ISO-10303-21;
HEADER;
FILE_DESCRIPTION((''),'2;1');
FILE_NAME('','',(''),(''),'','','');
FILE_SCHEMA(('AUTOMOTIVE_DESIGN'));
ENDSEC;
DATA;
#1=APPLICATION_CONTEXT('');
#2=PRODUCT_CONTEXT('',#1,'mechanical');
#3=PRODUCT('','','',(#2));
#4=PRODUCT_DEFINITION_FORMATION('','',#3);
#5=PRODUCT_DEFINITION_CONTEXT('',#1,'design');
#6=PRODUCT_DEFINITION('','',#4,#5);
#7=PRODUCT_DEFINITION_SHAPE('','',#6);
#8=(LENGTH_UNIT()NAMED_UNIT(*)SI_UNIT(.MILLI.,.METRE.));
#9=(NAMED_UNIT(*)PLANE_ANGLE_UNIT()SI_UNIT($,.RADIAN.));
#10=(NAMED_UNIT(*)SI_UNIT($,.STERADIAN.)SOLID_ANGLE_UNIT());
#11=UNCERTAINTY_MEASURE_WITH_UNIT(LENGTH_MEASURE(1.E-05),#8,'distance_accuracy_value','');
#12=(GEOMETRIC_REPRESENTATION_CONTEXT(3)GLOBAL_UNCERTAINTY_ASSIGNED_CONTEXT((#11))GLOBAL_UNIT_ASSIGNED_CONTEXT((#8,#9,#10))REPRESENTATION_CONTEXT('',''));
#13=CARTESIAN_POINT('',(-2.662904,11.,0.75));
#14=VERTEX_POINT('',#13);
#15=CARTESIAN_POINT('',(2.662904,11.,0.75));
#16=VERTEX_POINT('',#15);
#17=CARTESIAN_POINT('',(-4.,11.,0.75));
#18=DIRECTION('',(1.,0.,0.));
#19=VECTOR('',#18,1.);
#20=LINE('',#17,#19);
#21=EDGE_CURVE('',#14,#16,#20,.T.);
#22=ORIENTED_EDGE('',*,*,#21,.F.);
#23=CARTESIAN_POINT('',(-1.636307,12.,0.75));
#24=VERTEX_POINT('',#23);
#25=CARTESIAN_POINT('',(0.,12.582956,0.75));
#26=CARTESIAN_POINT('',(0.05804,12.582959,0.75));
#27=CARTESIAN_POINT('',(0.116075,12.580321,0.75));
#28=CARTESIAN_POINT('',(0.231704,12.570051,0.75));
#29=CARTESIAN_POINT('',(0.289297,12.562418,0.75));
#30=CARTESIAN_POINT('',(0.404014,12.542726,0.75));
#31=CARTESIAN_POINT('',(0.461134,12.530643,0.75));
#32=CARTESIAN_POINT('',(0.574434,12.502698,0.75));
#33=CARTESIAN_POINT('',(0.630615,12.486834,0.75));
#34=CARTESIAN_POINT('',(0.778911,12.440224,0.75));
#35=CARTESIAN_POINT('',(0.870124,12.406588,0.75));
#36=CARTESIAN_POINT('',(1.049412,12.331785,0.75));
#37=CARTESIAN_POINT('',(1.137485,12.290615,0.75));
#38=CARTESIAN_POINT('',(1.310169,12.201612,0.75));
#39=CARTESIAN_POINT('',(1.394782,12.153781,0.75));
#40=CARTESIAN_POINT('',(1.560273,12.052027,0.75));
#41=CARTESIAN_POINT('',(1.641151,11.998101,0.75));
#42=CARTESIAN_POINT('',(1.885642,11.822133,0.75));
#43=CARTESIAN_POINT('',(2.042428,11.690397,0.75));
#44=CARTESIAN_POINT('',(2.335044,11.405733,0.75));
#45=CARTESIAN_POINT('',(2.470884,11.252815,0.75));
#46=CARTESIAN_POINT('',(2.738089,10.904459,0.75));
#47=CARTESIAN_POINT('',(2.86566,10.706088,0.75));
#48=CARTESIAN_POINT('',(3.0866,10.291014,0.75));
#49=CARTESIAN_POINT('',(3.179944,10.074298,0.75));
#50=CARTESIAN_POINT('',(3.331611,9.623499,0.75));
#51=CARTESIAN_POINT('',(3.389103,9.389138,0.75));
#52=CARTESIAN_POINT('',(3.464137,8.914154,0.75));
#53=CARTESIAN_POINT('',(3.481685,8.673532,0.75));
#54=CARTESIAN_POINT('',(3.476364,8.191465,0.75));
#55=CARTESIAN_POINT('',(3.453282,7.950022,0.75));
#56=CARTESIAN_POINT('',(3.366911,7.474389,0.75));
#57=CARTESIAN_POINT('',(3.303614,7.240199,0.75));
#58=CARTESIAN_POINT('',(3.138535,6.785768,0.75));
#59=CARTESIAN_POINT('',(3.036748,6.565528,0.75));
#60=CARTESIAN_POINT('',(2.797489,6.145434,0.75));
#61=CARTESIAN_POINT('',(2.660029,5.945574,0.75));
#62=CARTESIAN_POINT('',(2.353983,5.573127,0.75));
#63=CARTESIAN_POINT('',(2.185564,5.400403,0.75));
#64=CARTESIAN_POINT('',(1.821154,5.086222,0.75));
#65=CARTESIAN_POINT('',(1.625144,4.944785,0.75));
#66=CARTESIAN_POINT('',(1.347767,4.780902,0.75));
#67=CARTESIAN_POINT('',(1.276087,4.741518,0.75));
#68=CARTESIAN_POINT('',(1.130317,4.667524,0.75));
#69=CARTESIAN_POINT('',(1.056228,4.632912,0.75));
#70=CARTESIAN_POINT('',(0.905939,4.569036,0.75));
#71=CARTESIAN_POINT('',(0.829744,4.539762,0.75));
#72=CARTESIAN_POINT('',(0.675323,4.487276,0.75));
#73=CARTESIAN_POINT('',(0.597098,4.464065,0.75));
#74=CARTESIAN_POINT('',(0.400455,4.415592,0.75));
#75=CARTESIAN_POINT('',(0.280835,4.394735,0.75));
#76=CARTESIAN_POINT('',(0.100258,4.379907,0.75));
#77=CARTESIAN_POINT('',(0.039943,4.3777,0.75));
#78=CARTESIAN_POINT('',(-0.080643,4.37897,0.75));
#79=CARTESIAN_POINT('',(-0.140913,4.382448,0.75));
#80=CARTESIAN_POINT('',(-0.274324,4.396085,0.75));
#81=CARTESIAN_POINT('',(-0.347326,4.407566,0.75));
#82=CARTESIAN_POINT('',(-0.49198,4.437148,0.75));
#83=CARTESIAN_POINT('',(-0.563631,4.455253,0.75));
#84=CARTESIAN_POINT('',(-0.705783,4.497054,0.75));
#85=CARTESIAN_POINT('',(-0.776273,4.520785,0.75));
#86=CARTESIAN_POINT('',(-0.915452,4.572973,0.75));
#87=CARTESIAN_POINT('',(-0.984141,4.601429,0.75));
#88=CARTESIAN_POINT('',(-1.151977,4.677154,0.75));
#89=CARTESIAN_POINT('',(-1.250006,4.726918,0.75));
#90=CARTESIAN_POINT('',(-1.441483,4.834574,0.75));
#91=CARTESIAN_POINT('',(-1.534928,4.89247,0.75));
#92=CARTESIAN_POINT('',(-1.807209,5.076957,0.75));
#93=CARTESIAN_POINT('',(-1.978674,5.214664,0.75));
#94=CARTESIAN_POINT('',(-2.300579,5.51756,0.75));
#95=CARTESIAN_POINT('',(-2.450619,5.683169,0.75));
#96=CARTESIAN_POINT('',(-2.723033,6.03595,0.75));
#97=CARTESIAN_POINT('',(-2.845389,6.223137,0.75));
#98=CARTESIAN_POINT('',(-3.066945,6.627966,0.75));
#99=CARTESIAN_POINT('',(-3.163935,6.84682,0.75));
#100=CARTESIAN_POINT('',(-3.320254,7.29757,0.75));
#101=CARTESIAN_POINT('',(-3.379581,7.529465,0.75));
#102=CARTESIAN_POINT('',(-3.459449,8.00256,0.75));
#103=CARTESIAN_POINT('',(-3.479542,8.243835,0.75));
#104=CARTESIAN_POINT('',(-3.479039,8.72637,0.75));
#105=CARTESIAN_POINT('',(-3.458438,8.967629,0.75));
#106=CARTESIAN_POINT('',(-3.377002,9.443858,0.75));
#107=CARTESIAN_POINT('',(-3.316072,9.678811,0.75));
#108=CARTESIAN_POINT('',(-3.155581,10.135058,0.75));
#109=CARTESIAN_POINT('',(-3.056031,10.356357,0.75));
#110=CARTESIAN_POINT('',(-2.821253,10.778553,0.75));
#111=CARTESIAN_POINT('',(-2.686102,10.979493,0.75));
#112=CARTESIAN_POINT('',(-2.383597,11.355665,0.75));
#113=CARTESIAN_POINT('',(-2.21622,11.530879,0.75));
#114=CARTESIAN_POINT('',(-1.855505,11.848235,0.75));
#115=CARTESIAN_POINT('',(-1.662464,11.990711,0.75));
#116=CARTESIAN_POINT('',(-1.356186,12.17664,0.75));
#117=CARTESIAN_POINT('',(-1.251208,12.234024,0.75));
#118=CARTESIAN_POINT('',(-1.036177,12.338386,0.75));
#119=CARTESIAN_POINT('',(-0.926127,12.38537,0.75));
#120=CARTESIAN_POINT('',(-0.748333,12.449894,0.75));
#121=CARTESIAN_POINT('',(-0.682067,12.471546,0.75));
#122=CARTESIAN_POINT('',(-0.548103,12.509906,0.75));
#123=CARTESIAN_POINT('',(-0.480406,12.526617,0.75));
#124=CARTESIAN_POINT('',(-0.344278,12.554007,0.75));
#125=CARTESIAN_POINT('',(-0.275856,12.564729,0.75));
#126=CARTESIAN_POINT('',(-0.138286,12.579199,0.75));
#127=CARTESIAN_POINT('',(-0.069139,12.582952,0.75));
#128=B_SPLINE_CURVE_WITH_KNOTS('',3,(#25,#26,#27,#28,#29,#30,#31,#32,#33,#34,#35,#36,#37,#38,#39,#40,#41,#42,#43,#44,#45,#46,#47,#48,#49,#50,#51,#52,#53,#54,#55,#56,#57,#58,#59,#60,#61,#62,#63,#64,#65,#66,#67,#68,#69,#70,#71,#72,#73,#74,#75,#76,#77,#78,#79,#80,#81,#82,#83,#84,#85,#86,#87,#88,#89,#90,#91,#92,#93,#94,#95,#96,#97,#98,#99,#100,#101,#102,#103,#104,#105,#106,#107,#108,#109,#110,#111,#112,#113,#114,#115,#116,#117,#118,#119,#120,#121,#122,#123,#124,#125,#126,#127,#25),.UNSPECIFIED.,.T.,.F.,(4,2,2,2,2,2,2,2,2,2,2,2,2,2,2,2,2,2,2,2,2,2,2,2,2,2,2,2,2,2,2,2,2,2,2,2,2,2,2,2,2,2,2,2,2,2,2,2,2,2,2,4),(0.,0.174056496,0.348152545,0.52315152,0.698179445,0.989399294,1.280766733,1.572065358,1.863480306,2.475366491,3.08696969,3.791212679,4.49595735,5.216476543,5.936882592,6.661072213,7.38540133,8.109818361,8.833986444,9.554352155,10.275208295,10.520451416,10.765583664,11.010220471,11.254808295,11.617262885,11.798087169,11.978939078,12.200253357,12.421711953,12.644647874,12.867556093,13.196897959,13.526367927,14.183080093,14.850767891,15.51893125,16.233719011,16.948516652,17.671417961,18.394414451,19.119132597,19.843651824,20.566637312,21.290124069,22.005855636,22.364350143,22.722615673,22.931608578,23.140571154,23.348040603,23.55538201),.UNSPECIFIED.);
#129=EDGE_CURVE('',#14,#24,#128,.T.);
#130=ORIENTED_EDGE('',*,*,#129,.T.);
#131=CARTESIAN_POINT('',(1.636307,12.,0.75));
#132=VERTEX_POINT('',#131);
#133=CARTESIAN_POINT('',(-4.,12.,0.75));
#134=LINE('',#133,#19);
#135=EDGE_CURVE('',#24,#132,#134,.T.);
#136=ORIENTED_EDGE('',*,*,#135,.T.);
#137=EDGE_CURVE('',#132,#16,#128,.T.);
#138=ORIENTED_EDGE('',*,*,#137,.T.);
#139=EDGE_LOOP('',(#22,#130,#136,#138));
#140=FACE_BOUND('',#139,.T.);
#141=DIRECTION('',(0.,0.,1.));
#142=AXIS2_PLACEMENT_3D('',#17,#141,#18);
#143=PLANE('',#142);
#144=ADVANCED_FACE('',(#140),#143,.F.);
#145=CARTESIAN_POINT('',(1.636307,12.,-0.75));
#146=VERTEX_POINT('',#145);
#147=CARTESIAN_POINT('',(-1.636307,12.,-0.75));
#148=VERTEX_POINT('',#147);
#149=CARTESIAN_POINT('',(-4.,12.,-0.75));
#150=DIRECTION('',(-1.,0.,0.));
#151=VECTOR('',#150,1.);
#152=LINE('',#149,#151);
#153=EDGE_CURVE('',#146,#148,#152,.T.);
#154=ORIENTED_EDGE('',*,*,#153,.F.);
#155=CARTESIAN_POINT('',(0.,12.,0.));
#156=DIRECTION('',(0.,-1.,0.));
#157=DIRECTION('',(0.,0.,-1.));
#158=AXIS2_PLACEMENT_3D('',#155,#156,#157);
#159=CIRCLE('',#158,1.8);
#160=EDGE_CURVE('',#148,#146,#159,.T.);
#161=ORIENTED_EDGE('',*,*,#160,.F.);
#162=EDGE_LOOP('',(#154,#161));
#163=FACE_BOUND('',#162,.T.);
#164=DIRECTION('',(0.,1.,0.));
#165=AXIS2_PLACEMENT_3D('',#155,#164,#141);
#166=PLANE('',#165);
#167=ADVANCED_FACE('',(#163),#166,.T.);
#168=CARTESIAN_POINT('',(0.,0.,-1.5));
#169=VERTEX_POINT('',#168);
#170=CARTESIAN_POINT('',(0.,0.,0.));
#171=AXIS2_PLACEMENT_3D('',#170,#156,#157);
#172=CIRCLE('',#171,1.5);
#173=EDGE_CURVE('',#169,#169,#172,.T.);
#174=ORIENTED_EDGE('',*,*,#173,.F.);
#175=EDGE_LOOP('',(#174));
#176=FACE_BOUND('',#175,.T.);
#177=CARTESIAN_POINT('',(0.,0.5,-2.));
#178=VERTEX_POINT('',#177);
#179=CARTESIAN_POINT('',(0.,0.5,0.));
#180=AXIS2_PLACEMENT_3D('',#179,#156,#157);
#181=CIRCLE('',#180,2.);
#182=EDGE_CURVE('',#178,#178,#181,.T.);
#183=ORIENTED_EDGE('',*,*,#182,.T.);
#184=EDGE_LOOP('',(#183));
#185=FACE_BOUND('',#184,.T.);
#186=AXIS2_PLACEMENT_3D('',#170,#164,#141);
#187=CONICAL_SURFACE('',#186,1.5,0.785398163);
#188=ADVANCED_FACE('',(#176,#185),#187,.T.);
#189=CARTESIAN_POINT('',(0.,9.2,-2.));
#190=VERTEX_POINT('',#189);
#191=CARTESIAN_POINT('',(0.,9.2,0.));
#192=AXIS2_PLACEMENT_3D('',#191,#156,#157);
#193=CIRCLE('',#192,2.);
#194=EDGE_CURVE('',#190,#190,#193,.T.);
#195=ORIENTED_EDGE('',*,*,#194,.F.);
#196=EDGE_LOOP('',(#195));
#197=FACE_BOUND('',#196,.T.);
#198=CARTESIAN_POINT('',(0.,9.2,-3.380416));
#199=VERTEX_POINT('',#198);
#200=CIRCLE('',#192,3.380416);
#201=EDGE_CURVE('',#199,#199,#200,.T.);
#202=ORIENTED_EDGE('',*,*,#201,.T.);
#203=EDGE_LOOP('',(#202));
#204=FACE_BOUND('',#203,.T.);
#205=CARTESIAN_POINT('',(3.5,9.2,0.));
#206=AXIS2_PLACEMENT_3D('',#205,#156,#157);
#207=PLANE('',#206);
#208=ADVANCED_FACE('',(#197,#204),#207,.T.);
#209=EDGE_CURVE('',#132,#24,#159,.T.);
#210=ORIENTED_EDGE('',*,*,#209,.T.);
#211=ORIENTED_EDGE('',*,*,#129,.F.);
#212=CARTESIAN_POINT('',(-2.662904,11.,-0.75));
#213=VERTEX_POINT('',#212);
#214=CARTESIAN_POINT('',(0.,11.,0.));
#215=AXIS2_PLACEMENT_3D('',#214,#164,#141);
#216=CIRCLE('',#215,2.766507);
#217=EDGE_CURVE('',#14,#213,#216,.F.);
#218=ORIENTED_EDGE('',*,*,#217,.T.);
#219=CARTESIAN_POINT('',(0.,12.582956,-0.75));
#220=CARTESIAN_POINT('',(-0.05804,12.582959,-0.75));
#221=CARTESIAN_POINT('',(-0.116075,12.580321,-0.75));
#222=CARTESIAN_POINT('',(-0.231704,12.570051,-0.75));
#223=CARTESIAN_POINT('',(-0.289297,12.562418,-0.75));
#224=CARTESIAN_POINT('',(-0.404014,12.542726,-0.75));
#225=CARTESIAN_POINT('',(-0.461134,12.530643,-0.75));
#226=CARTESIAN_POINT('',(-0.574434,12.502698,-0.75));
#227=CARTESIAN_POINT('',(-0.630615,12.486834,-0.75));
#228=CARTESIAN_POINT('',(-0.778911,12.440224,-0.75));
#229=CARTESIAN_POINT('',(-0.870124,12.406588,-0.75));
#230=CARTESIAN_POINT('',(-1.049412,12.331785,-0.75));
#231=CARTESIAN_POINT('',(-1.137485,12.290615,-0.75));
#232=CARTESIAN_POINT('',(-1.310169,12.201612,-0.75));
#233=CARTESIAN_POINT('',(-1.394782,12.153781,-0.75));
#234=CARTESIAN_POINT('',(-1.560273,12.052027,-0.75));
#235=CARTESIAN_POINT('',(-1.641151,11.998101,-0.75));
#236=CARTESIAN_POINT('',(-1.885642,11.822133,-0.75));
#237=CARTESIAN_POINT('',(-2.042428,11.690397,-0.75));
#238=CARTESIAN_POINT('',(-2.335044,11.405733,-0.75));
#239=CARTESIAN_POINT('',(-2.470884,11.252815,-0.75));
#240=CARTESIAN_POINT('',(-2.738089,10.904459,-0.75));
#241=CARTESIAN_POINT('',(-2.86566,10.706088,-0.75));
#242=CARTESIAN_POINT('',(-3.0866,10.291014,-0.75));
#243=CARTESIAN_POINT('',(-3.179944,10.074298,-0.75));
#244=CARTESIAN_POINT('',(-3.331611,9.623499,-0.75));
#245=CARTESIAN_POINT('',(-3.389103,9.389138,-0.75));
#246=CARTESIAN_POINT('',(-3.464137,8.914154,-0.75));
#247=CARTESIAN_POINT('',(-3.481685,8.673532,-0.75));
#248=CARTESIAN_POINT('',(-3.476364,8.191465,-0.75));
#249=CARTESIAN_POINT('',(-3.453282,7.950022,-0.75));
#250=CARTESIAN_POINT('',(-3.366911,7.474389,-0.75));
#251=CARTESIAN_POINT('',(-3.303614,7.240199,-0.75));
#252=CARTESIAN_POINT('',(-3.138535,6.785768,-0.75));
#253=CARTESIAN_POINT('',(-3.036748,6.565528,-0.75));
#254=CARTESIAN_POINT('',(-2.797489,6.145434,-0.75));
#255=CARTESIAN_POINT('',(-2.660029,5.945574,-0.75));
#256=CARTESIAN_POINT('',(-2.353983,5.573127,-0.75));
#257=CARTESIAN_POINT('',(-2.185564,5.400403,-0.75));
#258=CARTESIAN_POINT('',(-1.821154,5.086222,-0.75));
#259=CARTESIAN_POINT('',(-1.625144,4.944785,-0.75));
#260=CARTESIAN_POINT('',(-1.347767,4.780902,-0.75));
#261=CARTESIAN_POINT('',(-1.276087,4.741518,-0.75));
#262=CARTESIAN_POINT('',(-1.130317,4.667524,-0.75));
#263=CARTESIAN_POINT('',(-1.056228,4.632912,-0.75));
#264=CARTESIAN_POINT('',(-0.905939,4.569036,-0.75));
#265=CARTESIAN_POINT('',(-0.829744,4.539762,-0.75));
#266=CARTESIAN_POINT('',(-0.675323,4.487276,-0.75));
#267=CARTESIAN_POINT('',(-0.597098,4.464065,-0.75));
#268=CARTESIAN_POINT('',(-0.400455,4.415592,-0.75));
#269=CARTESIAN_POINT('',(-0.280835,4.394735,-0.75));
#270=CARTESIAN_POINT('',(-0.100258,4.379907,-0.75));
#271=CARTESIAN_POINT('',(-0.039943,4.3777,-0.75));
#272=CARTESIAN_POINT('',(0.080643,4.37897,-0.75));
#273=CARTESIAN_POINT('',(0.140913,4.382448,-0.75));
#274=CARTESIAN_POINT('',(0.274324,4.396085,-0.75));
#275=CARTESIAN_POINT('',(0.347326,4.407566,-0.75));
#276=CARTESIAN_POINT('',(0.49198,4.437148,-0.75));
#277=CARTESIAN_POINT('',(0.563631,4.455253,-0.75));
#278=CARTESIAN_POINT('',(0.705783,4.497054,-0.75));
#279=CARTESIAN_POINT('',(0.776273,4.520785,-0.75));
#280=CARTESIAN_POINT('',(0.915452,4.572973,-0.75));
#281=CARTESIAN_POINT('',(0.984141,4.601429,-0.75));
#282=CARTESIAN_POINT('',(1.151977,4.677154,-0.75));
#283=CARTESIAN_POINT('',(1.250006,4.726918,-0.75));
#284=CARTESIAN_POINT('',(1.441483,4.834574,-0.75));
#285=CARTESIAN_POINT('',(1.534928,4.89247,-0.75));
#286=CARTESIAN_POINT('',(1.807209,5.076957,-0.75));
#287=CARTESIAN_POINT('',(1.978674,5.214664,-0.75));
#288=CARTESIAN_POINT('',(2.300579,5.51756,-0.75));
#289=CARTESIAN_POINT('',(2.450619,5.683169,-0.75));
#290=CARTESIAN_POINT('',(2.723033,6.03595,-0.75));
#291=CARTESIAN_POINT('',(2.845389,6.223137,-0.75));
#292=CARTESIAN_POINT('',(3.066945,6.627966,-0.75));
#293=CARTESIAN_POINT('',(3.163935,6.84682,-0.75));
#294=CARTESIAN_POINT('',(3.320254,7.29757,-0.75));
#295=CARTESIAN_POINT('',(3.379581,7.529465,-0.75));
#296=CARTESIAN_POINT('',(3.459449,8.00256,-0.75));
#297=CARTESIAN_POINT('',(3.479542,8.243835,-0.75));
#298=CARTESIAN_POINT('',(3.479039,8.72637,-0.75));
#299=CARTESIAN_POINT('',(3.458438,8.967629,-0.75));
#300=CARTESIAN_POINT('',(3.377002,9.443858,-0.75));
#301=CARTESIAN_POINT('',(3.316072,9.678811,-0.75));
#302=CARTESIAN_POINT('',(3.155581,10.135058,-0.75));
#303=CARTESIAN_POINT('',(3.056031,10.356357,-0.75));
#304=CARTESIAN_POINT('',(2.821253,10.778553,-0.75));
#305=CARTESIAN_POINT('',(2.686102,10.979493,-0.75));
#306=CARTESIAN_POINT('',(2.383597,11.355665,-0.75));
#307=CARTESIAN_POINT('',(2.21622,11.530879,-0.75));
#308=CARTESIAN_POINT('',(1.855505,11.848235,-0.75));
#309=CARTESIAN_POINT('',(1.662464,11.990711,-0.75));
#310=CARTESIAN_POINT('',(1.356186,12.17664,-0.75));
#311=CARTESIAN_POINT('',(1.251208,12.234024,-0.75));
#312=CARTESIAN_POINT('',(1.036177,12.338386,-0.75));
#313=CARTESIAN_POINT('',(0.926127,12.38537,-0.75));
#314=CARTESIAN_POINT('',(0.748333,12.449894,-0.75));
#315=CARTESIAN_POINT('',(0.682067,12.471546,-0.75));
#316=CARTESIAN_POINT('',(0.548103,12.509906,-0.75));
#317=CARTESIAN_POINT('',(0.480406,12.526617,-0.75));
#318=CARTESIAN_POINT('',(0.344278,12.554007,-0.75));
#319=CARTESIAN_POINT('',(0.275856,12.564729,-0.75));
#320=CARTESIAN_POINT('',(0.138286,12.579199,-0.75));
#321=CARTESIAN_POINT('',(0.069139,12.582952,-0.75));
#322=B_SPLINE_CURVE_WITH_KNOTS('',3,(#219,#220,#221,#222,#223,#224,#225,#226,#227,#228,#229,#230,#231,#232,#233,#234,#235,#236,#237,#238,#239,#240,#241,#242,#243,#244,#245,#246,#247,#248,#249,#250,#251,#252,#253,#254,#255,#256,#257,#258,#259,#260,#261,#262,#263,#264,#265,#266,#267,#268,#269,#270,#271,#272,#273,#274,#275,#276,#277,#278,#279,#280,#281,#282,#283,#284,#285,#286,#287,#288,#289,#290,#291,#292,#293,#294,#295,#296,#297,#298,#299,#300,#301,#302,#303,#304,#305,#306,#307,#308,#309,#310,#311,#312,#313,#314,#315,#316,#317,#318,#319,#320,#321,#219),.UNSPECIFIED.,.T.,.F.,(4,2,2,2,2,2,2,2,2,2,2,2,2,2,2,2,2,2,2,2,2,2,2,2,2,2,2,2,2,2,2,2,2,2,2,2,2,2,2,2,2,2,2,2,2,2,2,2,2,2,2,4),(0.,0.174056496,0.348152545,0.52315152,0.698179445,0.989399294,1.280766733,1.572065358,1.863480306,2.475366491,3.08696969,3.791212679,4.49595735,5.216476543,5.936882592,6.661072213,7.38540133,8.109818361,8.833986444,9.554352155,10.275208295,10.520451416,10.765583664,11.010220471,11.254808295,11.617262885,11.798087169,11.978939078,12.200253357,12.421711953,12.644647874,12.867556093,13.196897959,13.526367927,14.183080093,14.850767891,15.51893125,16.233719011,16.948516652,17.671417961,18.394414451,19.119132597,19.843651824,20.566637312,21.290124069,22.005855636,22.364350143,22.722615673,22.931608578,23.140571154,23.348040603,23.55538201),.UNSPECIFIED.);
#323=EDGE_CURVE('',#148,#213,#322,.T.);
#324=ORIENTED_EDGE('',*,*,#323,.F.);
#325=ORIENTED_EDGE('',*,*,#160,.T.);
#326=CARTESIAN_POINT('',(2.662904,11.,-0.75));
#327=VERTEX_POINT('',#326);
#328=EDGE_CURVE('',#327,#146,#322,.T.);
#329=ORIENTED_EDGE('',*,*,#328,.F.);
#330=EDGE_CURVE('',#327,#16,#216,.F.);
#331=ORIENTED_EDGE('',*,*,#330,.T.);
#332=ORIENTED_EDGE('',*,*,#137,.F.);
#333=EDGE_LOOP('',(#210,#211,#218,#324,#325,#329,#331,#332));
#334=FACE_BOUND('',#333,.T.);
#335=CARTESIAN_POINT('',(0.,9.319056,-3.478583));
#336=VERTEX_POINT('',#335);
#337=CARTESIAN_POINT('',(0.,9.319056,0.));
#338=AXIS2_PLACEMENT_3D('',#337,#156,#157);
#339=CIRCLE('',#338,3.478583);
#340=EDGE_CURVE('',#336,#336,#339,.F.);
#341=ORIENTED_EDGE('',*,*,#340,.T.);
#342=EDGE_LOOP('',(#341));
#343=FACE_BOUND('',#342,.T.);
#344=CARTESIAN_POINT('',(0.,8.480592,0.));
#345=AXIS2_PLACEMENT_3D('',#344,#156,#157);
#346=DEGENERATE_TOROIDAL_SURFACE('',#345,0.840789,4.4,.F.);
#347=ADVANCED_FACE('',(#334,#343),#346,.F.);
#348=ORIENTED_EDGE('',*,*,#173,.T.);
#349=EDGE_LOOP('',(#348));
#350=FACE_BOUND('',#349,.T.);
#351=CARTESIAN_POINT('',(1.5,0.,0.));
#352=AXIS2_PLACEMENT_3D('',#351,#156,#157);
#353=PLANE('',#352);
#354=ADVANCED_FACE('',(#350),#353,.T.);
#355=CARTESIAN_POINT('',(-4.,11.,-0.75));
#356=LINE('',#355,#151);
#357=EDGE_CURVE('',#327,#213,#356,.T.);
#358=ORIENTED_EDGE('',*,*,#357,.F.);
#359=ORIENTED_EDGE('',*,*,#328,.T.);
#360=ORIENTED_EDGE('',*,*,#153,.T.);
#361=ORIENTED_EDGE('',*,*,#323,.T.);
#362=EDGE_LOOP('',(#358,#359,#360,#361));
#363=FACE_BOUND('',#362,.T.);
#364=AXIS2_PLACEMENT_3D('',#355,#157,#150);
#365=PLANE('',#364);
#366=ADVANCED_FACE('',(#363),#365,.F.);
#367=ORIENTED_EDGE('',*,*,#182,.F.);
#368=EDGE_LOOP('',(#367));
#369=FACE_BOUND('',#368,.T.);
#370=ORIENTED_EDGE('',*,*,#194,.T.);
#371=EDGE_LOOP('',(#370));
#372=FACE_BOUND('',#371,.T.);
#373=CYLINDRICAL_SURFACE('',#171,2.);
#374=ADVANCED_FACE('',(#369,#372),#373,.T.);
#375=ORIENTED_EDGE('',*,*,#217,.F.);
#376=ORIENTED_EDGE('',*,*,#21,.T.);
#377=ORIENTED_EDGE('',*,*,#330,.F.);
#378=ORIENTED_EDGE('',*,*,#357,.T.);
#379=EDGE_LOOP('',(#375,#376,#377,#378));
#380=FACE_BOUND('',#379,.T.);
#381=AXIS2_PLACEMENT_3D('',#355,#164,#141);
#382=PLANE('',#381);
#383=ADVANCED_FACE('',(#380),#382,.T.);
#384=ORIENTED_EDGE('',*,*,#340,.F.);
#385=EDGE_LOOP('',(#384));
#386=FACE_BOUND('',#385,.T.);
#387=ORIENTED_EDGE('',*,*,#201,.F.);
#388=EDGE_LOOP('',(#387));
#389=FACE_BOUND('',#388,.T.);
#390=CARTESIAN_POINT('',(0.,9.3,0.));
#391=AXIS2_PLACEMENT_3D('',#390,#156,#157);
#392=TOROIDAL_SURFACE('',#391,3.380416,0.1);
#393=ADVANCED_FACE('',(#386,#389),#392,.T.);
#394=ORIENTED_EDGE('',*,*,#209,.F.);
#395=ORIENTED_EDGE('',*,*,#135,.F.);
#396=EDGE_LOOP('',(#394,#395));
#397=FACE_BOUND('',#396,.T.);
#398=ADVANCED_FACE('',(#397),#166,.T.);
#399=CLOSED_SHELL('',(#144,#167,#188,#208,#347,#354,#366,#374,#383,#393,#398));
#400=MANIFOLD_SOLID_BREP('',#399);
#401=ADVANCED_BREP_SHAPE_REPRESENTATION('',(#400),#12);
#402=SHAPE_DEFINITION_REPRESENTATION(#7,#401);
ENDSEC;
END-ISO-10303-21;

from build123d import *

# Parameters (mm, degrees)
FILLET_1_R          = 0.1
SKETCH_3_W          = 8
SKETCH_3_H          = 1.5
CUT_EXTRUDE_2_DEPTH = 1


with BuildPart() as part:
    # Эскиз1 → Повернуть1 (revolve)
    with BuildSketch(Plane.XY):
        with BuildLine():
            Line((3.5, 9.2), (2, 9.2))
            Line((2, 9.2), (2, 0.5))
            Line((2, 0.5), (1.5, 0))
            Line((1.5, 0), (0, 0))
            Line((0, 0), (0, 12))
            Line((0, 12), (1.8, 12))
            ThreePointArc((1.8, 12), (2.920275695, 10.764095958), (3.5, 9.2))
        make_face()
    revolve(axis=Axis((0, 0, 0), (0, 1, 0)))

    # Скругление1
    fillet_1_edges = [part.edges().sort_by_distance(p)[0] for p in [
        (-3.5, 9.2, 0),
    ]]
    fillet(fillet_1_edges, radius=FILLET_1_R)

    # Эскиз3 → Вырез-Вытянуть2 (cut)
    with BuildSketch(Plane(origin=(0, 12, 0), x_dir=(-1, 0, 0), z_dir=(0, 1, 0))):
        Rectangle(SKETCH_3_W, SKETCH_3_H)
    extrude(amount=-CUT_EXTRUDE_2_DEPTH, mode=Mode.SUBTRACT)


solid = part.part
